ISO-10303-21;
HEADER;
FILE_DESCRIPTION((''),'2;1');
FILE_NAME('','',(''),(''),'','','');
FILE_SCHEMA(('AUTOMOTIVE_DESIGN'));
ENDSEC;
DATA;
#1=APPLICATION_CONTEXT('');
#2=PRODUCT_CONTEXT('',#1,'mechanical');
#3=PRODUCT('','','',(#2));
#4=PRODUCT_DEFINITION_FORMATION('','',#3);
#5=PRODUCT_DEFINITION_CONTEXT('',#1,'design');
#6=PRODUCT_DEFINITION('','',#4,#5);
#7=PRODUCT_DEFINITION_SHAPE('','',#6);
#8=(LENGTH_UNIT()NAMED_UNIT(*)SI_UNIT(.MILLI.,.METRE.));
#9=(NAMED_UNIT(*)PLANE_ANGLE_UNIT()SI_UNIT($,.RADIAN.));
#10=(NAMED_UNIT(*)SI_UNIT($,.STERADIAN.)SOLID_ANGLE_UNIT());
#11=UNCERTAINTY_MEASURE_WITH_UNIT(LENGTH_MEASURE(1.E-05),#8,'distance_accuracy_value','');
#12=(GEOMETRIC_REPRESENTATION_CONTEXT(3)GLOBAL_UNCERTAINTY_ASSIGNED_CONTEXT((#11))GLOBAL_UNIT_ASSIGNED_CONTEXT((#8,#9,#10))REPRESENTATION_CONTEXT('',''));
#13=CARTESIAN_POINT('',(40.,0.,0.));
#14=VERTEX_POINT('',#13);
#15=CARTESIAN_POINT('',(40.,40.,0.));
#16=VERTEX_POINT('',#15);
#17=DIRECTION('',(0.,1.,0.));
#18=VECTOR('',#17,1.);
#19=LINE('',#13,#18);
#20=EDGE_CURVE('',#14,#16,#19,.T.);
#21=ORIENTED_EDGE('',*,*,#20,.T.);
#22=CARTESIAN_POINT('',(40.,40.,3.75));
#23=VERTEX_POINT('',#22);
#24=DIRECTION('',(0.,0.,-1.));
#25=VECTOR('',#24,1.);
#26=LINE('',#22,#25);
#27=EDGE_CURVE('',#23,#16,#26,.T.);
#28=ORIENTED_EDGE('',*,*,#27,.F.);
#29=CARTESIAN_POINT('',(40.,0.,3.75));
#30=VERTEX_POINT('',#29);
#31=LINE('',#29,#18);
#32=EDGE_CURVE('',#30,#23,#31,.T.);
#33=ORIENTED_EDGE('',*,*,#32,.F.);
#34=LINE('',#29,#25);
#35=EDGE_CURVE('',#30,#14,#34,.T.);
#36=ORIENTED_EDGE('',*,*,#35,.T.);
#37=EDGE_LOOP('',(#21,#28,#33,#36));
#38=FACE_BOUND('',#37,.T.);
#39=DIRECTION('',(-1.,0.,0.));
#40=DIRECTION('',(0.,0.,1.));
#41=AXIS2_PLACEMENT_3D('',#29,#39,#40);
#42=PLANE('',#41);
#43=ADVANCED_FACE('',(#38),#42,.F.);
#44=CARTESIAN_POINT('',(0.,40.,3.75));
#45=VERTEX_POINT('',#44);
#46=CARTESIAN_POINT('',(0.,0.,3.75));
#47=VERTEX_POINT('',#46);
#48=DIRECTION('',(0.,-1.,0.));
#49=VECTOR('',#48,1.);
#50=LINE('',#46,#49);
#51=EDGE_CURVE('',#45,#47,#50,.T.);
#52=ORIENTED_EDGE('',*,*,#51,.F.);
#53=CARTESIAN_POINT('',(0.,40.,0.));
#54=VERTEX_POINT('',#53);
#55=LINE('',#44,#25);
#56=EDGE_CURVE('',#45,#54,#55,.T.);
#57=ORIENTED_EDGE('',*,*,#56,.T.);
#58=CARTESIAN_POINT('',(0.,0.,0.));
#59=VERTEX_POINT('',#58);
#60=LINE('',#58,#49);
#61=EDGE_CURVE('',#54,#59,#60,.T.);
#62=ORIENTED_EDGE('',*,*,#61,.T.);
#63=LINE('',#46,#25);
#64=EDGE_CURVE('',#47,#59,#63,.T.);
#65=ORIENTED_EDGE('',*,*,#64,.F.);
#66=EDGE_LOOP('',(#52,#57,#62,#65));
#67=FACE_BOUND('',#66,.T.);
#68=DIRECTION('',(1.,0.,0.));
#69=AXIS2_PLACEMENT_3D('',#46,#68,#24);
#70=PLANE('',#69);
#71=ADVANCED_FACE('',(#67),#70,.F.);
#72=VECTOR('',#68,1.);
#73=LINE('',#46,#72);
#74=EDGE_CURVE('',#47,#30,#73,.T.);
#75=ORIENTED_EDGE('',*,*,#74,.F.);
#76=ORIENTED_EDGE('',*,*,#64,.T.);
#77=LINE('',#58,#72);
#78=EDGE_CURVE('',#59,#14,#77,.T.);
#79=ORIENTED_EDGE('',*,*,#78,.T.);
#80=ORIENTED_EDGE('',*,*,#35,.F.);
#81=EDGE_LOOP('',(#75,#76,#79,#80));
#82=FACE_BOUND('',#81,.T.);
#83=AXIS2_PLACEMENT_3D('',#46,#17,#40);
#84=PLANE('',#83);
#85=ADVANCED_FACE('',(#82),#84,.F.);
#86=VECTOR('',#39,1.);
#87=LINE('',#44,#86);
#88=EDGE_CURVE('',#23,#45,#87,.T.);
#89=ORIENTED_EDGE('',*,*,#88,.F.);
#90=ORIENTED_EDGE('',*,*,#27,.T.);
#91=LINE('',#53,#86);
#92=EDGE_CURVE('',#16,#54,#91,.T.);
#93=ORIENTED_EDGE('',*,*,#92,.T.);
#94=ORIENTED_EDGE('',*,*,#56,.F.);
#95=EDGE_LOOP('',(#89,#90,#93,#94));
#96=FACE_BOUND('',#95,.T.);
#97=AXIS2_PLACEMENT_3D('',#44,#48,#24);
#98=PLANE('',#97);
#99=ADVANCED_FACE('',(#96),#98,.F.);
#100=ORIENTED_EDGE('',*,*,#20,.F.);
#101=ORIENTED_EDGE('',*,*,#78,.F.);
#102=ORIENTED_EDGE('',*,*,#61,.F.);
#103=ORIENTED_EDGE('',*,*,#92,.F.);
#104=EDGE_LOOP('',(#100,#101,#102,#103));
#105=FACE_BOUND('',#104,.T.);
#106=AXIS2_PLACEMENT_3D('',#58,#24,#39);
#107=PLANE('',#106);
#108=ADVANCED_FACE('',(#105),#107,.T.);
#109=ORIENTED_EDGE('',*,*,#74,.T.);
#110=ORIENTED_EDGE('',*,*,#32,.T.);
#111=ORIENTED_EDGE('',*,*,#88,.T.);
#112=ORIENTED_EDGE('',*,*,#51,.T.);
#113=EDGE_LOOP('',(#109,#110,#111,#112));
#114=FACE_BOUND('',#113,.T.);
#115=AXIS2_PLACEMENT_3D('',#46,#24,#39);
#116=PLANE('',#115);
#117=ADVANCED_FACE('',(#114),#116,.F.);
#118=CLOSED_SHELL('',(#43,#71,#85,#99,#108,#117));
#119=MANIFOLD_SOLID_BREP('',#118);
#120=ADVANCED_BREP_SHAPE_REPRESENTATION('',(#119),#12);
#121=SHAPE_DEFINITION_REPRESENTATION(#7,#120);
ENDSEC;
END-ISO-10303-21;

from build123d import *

# Parameters (mm, degrees)
SKETCH1_W           = 40
SKETCH1_H           = 40
BOSS_EXTRUDE1_DEPTH = 3.75


with BuildPart() as part:
    # Sketch1 → Boss-Extrude1 (new body)
    with BuildSketch(Plane.XY):
        with Locations((20, 20)):
            Rectangle(SKETCH1_W, SKETCH1_H)
    extrude(amount=BOSS_EXTRUDE1_DEPTH)


solid = part.part
